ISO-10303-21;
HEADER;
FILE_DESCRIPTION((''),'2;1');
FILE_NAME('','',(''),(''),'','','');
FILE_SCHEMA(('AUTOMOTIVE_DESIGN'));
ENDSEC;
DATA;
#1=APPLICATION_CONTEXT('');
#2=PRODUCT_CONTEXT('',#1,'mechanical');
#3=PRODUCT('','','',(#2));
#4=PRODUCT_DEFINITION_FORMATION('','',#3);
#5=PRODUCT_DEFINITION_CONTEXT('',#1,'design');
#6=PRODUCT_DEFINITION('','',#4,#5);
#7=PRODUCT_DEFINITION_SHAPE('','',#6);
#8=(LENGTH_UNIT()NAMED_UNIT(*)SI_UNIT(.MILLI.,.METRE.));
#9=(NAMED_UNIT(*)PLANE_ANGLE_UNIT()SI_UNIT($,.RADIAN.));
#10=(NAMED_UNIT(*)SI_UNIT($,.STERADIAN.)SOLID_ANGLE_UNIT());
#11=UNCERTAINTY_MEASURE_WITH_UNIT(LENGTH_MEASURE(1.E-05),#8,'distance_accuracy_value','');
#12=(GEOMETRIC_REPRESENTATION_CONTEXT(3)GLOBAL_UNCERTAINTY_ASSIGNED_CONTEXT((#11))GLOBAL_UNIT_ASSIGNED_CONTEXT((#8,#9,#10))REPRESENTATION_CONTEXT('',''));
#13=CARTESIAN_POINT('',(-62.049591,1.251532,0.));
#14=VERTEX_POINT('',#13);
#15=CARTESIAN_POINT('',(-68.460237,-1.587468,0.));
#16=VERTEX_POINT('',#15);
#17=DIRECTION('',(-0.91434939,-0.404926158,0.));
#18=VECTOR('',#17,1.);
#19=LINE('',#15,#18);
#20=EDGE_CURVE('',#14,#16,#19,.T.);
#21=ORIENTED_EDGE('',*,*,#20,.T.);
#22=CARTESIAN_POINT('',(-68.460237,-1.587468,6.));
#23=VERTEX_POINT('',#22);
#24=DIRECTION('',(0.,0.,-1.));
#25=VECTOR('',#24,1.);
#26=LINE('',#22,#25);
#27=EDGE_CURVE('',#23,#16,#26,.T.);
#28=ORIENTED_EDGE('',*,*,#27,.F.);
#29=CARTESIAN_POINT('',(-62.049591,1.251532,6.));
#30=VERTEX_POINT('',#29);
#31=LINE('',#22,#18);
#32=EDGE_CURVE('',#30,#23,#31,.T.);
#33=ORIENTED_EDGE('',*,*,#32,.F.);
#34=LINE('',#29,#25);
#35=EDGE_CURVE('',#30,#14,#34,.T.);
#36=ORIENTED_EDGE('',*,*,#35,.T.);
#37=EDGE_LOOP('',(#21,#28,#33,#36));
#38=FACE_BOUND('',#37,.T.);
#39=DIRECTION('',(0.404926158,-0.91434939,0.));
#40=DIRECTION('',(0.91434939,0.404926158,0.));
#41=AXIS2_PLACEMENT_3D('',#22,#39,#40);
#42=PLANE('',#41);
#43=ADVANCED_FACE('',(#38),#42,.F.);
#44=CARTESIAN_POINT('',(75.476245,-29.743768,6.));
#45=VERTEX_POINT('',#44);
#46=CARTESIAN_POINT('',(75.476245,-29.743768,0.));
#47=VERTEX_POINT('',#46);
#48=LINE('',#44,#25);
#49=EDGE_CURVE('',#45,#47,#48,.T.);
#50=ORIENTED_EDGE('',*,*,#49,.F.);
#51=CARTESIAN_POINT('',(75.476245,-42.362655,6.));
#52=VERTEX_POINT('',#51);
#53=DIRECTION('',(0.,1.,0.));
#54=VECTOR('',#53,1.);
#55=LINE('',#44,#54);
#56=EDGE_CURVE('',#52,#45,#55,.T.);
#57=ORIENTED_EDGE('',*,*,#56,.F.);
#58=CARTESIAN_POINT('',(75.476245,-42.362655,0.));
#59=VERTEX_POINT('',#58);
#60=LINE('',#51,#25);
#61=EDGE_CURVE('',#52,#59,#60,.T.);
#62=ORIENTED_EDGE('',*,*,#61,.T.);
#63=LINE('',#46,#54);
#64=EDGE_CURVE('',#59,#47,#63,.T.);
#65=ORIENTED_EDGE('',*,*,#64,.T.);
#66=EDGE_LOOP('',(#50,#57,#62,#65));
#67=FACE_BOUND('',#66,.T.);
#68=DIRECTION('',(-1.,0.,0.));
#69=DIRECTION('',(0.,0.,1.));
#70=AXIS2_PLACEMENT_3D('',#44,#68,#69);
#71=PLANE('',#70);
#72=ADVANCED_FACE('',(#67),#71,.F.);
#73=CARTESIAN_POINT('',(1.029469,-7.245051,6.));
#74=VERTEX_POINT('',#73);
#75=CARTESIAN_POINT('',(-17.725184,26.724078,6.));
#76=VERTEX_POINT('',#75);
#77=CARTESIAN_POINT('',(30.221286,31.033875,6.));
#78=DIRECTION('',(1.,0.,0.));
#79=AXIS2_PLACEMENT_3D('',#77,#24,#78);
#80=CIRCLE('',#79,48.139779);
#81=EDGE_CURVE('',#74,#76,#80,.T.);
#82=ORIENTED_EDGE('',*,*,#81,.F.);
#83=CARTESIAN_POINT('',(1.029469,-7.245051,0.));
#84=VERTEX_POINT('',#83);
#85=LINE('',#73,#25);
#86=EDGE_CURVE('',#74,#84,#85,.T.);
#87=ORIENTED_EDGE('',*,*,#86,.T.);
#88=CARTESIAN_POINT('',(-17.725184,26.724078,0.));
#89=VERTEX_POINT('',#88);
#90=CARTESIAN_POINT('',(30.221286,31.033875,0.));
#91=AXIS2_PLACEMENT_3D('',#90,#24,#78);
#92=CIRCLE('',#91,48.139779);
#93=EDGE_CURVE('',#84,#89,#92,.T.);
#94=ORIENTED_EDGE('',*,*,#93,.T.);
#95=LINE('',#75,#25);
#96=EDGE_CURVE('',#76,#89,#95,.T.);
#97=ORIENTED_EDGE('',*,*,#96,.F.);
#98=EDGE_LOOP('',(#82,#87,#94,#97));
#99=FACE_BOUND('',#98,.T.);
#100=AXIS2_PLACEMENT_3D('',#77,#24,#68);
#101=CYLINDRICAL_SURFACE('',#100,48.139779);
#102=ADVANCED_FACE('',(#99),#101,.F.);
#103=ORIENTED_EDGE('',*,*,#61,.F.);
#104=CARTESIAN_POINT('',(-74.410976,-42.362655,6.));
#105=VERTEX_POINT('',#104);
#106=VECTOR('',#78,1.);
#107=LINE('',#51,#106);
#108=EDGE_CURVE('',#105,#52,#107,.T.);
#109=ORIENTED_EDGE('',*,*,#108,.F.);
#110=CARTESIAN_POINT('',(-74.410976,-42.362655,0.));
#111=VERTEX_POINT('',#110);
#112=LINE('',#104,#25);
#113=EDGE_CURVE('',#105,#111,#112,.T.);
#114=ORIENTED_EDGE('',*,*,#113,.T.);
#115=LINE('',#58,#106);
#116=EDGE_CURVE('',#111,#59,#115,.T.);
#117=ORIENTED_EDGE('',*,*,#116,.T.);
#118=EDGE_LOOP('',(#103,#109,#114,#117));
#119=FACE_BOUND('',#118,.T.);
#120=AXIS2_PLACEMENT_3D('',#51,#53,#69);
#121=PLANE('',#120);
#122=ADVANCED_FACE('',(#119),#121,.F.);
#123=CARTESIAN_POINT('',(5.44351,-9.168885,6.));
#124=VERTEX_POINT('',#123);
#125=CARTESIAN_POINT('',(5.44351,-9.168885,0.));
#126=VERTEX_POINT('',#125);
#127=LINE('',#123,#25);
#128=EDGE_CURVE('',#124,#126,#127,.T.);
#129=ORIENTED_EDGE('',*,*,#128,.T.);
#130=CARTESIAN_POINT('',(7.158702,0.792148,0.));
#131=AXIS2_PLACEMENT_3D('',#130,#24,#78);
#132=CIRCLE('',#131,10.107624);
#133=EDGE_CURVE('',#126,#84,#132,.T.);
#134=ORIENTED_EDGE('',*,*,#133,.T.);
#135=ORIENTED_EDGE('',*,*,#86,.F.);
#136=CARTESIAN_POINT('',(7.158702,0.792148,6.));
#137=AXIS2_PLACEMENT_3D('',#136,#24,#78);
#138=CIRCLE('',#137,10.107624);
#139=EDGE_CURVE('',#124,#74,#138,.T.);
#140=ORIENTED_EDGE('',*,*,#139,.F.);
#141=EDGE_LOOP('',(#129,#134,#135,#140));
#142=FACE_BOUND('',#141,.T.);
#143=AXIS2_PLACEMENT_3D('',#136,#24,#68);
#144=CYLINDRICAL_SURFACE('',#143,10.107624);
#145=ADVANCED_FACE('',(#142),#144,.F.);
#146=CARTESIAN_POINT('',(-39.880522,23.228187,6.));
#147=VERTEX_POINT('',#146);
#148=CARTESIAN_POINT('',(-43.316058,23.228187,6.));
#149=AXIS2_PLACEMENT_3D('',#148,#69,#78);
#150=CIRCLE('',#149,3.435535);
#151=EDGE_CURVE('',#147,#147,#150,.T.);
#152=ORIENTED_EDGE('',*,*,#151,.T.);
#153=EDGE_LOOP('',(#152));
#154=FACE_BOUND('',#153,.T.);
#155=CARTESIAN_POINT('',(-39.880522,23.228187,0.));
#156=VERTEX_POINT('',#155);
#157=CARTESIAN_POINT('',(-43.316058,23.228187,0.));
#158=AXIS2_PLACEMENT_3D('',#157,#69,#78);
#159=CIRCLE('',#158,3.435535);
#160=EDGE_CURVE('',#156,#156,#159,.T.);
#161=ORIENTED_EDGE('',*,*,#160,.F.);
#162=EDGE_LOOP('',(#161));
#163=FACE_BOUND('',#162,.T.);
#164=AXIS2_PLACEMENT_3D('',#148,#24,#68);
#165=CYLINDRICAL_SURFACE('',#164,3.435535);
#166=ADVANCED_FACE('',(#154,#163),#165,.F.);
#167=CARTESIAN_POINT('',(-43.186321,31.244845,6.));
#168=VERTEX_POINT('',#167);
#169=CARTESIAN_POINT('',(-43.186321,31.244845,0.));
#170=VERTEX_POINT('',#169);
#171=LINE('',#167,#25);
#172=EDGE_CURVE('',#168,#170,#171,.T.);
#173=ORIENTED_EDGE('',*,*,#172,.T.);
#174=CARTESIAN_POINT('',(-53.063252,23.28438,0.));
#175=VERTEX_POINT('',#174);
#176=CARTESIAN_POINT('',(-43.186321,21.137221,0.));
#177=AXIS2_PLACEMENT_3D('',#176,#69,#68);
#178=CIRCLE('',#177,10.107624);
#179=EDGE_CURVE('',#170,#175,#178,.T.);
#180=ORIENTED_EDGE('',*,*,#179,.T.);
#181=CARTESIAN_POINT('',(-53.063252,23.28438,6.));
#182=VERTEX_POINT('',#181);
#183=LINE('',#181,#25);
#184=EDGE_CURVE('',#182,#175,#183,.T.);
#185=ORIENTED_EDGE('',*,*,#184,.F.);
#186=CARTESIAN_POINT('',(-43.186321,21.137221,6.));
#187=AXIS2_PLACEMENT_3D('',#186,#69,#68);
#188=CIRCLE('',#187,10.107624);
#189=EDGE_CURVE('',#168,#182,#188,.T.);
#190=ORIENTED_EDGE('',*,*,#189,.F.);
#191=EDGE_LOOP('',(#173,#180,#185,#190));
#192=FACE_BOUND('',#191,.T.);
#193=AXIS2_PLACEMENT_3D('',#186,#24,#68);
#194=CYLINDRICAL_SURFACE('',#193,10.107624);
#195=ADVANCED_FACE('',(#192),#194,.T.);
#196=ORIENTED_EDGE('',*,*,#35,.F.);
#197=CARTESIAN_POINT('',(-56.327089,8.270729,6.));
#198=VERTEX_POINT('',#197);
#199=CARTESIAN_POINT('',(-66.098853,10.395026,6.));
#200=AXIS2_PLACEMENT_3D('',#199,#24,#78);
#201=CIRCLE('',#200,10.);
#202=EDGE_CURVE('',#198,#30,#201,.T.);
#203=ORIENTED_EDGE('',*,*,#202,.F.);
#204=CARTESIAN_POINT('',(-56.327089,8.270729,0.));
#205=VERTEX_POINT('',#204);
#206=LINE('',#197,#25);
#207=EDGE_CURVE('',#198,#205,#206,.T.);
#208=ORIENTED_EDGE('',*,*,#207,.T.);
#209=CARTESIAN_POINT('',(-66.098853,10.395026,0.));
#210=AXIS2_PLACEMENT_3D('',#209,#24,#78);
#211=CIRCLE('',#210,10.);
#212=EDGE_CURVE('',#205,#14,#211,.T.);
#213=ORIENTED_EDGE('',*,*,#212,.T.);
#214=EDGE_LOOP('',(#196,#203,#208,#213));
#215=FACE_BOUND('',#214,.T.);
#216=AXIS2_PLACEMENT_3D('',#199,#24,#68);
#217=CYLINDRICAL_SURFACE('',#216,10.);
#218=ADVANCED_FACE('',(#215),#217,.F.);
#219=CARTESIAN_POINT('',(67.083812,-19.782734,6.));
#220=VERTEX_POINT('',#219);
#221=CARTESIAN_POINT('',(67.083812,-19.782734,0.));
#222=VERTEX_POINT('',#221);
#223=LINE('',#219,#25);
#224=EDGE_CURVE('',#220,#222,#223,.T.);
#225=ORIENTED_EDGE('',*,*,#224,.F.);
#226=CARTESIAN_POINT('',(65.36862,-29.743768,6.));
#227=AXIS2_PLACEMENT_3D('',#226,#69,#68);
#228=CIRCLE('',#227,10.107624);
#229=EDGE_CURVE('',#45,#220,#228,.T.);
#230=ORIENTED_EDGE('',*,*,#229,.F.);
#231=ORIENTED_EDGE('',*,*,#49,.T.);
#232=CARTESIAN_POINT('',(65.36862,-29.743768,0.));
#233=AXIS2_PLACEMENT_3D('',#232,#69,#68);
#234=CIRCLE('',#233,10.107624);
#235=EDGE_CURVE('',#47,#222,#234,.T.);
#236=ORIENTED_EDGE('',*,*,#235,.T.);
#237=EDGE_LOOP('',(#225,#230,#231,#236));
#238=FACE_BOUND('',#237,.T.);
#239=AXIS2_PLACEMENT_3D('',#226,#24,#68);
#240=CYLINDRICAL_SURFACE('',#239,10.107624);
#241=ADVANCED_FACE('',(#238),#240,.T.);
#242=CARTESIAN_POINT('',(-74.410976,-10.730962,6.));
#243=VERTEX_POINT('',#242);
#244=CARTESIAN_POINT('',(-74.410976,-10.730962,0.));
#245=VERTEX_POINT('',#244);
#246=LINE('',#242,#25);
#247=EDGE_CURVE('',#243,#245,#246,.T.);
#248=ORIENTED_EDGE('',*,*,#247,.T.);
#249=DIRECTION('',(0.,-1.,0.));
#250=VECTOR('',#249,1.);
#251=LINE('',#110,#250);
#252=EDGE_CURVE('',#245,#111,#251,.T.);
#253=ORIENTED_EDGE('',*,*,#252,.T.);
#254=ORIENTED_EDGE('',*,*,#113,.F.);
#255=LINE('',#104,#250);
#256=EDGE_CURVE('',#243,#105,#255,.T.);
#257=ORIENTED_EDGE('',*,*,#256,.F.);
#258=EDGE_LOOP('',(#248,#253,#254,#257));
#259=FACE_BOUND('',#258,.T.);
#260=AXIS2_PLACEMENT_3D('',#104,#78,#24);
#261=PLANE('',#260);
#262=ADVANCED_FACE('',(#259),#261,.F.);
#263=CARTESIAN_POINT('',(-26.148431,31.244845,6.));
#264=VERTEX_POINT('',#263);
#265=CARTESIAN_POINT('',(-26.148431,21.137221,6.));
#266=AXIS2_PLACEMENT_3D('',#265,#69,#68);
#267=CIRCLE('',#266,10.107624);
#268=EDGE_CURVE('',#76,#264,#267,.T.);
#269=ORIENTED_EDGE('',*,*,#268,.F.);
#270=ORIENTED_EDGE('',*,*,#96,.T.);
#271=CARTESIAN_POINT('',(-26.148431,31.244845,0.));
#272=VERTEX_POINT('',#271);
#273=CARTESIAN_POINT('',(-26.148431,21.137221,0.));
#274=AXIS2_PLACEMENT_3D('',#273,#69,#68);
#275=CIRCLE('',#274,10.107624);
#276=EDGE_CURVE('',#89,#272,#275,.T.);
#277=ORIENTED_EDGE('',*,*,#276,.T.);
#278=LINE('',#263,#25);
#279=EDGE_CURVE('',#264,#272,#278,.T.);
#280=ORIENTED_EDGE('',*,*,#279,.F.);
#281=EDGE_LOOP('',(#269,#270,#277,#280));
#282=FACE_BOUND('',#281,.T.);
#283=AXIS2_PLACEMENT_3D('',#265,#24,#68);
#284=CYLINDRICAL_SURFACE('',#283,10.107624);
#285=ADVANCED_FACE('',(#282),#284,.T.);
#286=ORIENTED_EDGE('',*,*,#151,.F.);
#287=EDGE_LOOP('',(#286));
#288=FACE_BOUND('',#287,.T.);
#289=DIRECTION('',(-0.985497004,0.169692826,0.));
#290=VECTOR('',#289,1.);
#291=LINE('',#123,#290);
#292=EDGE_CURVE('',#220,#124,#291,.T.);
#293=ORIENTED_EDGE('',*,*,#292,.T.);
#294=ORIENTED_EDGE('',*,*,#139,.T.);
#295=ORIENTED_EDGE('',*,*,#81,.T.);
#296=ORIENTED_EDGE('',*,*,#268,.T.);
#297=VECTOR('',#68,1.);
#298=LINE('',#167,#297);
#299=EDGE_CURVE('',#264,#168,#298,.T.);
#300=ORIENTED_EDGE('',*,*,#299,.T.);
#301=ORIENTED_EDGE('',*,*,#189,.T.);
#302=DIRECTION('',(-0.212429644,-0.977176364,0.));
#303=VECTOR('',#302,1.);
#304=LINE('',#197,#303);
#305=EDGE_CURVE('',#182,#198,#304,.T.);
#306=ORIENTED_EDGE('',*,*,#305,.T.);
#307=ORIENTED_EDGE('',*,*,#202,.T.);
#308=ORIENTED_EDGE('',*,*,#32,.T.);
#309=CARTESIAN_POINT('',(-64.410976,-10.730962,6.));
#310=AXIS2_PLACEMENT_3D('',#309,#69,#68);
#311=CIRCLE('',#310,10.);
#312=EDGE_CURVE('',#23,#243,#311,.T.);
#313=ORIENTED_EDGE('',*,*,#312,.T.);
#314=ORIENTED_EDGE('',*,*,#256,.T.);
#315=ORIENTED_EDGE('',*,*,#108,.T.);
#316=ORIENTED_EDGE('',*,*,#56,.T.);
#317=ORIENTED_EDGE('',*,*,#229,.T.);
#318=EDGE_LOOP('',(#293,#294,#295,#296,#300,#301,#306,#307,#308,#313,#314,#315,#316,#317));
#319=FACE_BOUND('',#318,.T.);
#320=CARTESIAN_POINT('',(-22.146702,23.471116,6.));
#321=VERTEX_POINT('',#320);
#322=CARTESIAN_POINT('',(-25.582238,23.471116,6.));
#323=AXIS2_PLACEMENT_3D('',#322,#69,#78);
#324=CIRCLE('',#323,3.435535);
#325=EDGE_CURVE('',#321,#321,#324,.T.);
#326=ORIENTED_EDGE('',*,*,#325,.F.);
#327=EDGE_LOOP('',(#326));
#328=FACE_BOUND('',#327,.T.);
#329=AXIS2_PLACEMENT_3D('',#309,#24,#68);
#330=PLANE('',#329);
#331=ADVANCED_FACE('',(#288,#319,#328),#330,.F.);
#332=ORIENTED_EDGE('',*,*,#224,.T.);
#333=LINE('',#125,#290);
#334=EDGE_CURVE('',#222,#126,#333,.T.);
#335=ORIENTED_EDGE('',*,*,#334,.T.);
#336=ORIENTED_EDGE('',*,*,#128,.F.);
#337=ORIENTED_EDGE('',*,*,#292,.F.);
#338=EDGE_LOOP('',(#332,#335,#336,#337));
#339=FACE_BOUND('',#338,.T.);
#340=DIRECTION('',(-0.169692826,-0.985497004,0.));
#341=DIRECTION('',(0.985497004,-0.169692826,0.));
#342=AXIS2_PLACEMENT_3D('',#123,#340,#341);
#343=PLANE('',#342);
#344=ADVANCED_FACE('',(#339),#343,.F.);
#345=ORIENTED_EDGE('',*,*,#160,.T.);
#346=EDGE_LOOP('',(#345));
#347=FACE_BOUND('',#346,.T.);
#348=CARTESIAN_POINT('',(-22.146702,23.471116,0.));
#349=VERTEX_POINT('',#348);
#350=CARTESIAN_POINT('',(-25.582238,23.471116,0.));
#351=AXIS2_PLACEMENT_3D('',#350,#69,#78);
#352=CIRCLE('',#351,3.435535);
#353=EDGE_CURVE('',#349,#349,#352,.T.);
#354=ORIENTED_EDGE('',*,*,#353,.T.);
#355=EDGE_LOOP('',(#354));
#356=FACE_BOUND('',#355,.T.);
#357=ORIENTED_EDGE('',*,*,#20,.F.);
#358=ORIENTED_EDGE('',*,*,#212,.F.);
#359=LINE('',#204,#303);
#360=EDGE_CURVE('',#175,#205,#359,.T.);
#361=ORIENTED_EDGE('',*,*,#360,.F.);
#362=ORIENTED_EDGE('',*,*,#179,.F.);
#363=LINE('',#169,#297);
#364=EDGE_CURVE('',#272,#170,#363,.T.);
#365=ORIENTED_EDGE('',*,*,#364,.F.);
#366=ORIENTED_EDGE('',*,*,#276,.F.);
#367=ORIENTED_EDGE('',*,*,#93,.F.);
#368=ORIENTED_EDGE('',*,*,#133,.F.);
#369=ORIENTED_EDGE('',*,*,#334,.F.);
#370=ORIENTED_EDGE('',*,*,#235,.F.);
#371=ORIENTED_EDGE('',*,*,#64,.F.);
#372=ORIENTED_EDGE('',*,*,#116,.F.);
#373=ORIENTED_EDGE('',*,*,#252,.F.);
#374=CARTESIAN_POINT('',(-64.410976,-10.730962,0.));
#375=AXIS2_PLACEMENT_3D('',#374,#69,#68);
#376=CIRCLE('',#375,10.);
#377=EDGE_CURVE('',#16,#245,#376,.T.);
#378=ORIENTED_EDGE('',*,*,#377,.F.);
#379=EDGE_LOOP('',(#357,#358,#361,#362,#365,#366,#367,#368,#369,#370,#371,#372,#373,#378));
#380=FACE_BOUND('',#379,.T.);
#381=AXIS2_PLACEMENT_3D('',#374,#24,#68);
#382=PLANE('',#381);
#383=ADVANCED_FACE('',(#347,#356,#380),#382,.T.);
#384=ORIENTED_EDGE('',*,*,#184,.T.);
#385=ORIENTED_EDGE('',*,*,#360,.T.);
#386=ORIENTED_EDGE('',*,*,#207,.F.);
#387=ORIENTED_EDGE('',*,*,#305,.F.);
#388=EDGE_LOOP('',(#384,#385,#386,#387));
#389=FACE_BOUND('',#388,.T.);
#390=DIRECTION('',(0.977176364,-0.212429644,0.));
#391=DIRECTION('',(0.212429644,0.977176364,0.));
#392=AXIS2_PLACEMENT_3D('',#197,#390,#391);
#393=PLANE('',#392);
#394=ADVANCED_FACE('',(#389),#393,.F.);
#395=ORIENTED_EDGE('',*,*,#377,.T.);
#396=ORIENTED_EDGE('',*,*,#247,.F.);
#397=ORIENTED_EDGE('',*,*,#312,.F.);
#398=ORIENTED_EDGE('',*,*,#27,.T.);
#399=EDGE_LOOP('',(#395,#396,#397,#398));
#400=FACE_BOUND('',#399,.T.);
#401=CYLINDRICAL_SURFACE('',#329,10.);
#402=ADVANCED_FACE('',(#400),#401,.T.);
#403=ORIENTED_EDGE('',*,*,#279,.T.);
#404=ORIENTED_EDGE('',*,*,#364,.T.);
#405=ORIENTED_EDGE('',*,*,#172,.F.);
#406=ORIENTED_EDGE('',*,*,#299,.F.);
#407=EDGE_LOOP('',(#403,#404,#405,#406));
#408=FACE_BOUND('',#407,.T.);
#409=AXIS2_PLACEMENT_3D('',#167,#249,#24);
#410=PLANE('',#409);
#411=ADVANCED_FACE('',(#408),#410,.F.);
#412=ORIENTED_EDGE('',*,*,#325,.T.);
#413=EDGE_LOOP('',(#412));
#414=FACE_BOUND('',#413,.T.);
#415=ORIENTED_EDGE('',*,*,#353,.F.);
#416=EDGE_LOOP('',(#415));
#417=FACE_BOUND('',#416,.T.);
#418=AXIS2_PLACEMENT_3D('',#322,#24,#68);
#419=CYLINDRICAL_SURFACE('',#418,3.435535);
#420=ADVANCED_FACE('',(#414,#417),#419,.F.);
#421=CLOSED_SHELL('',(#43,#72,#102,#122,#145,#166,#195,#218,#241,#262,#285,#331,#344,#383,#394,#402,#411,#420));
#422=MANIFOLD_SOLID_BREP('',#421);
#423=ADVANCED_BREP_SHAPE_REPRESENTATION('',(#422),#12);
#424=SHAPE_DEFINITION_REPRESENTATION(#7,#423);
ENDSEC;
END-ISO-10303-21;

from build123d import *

# Parameters (mm, degrees)
CROQUIS2_R              = 3.435535485
SALIENTE_EXTRUIR1_DEPTH = 6


with BuildPart() as part:
    # Croquis2 → Saliente-Extruir1 (new body)
    with BuildSketch(Plane.XY):
        with BuildLine():
            Line((75.476244536, -42.362655144), (-74.410975533, -42.362655144))
            Line((-74.410975533, -42.362655144), (-74.410975533, -10.730962139))
            ThreePointArc((-74.410975533, -10.730962139), (-72.792282586, -5.276267639), (-68.460237116, -1.587468243))
            Line((-68.460237116, -1.587468243), (-62.049591399, 1.251532003))
            ThreePointArc((-62.049591399, 1.251532003), (-58.348209926, 4.076202257), (-56.327089342, 8.270729457))
            Line((-56.327089342, 8.270729457), (-53.063252273, 23.284379976))
            ThreePointArc((-53.063252273, 23.284379976), (-49.529087977, 29.006996787), (-43.186320825, 31.244845149))
            Line((-43.186320825, 31.244845149), (-26.148431061, 31.244845149))
            ThreePointArc((-26.148431061, 31.244845149), (-21.368566285, 30.043227891), (-17.725183812, 26.724078081))
            ThreePointArc((-17.725183812, 26.724078081), (-11.921972825, 7.766213541), (1.029468531, -7.245050647))
            ThreePointArc((1.029468531, -7.245050647), (3.120257187, -8.473650696), (5.443510228, -9.168884899))
            Line((5.443510228, -9.168884899), (67.083811667, -19.782734484))
            ThreePointArc((67.083811667, -19.782734484), (73.098451393, -23.231181656), (75.476244536, -29.743767833))
            Line((75.476244536, -29.743767833), (75.476244536, -42.362655144))
        make_face()
        with Locations((-25.582237715, 23.471115745)):
            Circle(CROQUIS2_R, mode=Mode.SUBTRACT)
        with Locations((-43.316057918, 23.228186701)):
            Circle(CROQUIS2_R, mode=Mode.SUBTRACT)
    extrude(amount=SALIENTE_EXTRUIR1_DEPTH)


solid = part.part
